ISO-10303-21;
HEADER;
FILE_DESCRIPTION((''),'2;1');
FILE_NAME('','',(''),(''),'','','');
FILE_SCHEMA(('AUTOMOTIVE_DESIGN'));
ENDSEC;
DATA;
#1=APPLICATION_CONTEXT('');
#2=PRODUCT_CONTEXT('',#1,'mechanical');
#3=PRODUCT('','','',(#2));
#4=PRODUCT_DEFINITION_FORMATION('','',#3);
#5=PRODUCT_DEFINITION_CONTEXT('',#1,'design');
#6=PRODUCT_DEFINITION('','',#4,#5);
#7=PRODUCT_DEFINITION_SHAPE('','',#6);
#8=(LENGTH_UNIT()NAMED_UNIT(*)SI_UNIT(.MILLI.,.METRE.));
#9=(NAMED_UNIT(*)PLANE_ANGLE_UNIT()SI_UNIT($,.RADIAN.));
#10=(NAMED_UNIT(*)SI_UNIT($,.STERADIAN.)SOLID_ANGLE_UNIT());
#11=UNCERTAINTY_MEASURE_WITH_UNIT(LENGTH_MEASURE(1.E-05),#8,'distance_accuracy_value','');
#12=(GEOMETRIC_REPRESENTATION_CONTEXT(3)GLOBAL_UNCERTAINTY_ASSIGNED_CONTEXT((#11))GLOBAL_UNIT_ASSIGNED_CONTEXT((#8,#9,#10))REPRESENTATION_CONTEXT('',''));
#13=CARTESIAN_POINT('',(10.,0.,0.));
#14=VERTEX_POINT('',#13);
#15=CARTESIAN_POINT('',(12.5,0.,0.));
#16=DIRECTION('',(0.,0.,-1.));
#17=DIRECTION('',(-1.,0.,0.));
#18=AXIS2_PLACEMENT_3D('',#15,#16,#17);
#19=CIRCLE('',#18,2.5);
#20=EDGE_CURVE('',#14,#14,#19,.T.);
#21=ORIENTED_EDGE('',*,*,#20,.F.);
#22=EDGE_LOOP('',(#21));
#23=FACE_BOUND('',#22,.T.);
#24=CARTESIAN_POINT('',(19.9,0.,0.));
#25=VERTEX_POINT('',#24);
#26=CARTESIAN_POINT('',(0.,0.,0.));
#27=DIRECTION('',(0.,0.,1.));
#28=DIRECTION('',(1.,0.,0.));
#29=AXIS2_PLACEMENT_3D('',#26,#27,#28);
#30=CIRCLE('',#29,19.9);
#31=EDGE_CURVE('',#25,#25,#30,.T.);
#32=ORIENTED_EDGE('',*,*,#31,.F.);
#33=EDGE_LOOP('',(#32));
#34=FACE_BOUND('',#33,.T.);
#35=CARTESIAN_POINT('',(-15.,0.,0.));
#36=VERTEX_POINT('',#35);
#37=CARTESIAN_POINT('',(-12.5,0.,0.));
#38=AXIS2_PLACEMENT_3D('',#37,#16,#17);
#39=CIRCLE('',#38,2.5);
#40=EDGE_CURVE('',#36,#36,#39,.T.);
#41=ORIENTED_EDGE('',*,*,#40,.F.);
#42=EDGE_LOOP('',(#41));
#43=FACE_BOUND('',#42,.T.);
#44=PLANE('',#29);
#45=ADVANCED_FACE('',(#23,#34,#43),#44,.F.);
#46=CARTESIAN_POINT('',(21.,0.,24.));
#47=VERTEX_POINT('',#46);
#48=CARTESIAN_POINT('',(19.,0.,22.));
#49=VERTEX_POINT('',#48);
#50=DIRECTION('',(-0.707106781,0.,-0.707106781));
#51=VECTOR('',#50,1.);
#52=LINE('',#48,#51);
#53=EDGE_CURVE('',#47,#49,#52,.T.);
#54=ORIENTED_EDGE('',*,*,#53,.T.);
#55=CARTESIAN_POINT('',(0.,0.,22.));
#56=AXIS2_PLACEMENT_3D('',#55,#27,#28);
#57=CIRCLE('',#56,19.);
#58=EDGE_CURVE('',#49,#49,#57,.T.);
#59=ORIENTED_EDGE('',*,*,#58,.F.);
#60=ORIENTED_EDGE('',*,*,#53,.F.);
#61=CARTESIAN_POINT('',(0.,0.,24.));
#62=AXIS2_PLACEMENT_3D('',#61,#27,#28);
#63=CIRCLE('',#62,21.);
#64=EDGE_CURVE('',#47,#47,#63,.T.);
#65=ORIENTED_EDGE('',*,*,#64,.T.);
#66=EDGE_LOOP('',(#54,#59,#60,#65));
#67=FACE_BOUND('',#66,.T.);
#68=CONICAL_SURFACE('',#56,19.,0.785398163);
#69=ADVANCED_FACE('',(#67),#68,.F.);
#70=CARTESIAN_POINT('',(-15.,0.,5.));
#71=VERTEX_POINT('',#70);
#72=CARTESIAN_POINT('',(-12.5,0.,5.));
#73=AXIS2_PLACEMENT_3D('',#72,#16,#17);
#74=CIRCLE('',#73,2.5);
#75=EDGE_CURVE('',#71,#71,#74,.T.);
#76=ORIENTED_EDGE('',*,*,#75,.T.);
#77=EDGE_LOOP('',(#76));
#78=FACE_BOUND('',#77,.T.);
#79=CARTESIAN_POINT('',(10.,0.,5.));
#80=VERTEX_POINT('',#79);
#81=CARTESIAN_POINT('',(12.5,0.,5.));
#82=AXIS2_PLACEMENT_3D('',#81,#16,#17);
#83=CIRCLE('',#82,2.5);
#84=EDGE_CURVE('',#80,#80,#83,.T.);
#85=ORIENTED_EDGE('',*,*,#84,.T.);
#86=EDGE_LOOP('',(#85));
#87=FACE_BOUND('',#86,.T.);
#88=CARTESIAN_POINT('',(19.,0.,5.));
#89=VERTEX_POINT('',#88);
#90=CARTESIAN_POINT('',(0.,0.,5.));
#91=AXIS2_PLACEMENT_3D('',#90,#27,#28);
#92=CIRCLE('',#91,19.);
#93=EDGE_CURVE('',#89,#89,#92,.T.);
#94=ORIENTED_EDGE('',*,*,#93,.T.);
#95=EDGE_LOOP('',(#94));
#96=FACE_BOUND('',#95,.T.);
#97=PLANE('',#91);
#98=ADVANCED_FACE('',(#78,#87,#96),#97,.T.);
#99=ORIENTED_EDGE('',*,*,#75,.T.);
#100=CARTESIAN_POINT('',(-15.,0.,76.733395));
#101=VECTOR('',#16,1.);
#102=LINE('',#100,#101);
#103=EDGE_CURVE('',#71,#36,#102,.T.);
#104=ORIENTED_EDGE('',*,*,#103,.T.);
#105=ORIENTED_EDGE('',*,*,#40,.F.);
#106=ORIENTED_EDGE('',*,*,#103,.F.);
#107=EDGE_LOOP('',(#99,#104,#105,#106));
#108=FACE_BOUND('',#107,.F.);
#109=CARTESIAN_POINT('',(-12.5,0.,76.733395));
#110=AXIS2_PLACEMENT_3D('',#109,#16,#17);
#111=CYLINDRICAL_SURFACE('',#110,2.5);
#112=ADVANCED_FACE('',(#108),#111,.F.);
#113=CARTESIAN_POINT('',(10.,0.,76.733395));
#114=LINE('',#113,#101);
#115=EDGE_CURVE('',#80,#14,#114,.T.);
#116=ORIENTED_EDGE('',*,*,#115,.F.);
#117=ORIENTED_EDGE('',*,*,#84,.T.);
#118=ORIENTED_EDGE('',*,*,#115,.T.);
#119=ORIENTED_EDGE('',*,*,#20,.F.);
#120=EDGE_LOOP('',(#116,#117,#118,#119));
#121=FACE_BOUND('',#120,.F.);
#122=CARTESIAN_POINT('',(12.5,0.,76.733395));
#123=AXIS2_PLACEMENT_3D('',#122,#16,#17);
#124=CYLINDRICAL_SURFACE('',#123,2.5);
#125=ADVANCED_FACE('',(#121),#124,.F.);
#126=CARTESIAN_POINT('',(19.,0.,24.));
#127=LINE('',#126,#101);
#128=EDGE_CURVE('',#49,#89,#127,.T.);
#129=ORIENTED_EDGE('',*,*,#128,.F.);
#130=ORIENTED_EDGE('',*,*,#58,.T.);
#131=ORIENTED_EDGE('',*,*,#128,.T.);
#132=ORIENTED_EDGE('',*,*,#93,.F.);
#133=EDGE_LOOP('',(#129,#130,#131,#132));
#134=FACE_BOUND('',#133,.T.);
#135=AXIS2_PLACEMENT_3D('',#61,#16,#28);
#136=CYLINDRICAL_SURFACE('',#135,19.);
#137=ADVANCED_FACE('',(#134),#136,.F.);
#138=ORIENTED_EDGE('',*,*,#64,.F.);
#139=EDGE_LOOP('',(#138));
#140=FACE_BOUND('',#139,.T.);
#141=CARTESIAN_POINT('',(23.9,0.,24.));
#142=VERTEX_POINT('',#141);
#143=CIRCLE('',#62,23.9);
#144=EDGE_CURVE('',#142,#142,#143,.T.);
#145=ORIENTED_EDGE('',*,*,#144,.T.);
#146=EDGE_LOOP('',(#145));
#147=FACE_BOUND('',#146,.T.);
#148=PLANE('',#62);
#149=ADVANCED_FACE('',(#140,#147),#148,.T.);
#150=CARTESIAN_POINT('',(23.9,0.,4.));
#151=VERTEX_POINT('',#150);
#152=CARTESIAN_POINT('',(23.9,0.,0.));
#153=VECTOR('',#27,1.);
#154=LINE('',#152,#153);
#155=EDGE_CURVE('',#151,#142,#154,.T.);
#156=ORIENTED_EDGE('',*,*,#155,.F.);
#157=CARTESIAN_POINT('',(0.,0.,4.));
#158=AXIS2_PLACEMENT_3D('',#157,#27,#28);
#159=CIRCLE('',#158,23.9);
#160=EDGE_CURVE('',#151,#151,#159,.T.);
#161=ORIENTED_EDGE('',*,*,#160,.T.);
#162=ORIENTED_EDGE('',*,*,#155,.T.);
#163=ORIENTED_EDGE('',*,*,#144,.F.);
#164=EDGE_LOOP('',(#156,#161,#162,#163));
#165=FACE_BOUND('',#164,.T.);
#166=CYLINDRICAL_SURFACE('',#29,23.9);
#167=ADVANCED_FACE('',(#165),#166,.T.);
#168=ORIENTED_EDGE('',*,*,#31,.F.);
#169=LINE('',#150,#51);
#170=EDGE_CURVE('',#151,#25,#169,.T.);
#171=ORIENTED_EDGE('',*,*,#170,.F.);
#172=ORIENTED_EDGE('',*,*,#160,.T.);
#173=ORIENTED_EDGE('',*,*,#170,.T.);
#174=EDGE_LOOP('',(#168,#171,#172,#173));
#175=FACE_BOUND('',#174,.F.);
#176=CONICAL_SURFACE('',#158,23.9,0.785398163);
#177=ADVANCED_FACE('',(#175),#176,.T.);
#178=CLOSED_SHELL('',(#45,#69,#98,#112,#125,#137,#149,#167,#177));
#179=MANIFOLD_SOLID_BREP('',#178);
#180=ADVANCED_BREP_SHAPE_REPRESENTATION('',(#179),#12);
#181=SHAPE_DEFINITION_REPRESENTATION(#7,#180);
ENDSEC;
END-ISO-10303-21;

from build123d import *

# Parameters (mm, degrees)
F2_SIZE = 2
F3_SIZE = 4
F5_D    = 5


with BuildPart() as f1:
    # F0 (on Front) → F1 (revolve)
    with BuildSketch(Plane.XZ):
        Polygon((0, 5), (0, 0), (23.9, 0), (23.9, 24), (19, 24), (19, 5), align=None)
    revolve(axis=Axis((0, 0, 12.3709159863), (0, 0, 1)))

    # F2
    f2_edges = [f1.edges().sort_by_distance(p)[0] for p in [
        (-19, 0, 24),
    ]]
    chamfer(f2_edges, length=F2_SIZE)

    # F3
    f3_edges = [f1.edges().sort_by_distance(p)[0] for p in [
        (-23.9, 0, 0),
    ]]
    chamfer(f3_edges, length=F3_SIZE)

    # F5 (through all)
    with Locations(Plane.XY.offset(5)):
        with Locations((-12.5, 0), (12.5, 0)):
            Hole(F5_D / 2)


solid = f1.part
